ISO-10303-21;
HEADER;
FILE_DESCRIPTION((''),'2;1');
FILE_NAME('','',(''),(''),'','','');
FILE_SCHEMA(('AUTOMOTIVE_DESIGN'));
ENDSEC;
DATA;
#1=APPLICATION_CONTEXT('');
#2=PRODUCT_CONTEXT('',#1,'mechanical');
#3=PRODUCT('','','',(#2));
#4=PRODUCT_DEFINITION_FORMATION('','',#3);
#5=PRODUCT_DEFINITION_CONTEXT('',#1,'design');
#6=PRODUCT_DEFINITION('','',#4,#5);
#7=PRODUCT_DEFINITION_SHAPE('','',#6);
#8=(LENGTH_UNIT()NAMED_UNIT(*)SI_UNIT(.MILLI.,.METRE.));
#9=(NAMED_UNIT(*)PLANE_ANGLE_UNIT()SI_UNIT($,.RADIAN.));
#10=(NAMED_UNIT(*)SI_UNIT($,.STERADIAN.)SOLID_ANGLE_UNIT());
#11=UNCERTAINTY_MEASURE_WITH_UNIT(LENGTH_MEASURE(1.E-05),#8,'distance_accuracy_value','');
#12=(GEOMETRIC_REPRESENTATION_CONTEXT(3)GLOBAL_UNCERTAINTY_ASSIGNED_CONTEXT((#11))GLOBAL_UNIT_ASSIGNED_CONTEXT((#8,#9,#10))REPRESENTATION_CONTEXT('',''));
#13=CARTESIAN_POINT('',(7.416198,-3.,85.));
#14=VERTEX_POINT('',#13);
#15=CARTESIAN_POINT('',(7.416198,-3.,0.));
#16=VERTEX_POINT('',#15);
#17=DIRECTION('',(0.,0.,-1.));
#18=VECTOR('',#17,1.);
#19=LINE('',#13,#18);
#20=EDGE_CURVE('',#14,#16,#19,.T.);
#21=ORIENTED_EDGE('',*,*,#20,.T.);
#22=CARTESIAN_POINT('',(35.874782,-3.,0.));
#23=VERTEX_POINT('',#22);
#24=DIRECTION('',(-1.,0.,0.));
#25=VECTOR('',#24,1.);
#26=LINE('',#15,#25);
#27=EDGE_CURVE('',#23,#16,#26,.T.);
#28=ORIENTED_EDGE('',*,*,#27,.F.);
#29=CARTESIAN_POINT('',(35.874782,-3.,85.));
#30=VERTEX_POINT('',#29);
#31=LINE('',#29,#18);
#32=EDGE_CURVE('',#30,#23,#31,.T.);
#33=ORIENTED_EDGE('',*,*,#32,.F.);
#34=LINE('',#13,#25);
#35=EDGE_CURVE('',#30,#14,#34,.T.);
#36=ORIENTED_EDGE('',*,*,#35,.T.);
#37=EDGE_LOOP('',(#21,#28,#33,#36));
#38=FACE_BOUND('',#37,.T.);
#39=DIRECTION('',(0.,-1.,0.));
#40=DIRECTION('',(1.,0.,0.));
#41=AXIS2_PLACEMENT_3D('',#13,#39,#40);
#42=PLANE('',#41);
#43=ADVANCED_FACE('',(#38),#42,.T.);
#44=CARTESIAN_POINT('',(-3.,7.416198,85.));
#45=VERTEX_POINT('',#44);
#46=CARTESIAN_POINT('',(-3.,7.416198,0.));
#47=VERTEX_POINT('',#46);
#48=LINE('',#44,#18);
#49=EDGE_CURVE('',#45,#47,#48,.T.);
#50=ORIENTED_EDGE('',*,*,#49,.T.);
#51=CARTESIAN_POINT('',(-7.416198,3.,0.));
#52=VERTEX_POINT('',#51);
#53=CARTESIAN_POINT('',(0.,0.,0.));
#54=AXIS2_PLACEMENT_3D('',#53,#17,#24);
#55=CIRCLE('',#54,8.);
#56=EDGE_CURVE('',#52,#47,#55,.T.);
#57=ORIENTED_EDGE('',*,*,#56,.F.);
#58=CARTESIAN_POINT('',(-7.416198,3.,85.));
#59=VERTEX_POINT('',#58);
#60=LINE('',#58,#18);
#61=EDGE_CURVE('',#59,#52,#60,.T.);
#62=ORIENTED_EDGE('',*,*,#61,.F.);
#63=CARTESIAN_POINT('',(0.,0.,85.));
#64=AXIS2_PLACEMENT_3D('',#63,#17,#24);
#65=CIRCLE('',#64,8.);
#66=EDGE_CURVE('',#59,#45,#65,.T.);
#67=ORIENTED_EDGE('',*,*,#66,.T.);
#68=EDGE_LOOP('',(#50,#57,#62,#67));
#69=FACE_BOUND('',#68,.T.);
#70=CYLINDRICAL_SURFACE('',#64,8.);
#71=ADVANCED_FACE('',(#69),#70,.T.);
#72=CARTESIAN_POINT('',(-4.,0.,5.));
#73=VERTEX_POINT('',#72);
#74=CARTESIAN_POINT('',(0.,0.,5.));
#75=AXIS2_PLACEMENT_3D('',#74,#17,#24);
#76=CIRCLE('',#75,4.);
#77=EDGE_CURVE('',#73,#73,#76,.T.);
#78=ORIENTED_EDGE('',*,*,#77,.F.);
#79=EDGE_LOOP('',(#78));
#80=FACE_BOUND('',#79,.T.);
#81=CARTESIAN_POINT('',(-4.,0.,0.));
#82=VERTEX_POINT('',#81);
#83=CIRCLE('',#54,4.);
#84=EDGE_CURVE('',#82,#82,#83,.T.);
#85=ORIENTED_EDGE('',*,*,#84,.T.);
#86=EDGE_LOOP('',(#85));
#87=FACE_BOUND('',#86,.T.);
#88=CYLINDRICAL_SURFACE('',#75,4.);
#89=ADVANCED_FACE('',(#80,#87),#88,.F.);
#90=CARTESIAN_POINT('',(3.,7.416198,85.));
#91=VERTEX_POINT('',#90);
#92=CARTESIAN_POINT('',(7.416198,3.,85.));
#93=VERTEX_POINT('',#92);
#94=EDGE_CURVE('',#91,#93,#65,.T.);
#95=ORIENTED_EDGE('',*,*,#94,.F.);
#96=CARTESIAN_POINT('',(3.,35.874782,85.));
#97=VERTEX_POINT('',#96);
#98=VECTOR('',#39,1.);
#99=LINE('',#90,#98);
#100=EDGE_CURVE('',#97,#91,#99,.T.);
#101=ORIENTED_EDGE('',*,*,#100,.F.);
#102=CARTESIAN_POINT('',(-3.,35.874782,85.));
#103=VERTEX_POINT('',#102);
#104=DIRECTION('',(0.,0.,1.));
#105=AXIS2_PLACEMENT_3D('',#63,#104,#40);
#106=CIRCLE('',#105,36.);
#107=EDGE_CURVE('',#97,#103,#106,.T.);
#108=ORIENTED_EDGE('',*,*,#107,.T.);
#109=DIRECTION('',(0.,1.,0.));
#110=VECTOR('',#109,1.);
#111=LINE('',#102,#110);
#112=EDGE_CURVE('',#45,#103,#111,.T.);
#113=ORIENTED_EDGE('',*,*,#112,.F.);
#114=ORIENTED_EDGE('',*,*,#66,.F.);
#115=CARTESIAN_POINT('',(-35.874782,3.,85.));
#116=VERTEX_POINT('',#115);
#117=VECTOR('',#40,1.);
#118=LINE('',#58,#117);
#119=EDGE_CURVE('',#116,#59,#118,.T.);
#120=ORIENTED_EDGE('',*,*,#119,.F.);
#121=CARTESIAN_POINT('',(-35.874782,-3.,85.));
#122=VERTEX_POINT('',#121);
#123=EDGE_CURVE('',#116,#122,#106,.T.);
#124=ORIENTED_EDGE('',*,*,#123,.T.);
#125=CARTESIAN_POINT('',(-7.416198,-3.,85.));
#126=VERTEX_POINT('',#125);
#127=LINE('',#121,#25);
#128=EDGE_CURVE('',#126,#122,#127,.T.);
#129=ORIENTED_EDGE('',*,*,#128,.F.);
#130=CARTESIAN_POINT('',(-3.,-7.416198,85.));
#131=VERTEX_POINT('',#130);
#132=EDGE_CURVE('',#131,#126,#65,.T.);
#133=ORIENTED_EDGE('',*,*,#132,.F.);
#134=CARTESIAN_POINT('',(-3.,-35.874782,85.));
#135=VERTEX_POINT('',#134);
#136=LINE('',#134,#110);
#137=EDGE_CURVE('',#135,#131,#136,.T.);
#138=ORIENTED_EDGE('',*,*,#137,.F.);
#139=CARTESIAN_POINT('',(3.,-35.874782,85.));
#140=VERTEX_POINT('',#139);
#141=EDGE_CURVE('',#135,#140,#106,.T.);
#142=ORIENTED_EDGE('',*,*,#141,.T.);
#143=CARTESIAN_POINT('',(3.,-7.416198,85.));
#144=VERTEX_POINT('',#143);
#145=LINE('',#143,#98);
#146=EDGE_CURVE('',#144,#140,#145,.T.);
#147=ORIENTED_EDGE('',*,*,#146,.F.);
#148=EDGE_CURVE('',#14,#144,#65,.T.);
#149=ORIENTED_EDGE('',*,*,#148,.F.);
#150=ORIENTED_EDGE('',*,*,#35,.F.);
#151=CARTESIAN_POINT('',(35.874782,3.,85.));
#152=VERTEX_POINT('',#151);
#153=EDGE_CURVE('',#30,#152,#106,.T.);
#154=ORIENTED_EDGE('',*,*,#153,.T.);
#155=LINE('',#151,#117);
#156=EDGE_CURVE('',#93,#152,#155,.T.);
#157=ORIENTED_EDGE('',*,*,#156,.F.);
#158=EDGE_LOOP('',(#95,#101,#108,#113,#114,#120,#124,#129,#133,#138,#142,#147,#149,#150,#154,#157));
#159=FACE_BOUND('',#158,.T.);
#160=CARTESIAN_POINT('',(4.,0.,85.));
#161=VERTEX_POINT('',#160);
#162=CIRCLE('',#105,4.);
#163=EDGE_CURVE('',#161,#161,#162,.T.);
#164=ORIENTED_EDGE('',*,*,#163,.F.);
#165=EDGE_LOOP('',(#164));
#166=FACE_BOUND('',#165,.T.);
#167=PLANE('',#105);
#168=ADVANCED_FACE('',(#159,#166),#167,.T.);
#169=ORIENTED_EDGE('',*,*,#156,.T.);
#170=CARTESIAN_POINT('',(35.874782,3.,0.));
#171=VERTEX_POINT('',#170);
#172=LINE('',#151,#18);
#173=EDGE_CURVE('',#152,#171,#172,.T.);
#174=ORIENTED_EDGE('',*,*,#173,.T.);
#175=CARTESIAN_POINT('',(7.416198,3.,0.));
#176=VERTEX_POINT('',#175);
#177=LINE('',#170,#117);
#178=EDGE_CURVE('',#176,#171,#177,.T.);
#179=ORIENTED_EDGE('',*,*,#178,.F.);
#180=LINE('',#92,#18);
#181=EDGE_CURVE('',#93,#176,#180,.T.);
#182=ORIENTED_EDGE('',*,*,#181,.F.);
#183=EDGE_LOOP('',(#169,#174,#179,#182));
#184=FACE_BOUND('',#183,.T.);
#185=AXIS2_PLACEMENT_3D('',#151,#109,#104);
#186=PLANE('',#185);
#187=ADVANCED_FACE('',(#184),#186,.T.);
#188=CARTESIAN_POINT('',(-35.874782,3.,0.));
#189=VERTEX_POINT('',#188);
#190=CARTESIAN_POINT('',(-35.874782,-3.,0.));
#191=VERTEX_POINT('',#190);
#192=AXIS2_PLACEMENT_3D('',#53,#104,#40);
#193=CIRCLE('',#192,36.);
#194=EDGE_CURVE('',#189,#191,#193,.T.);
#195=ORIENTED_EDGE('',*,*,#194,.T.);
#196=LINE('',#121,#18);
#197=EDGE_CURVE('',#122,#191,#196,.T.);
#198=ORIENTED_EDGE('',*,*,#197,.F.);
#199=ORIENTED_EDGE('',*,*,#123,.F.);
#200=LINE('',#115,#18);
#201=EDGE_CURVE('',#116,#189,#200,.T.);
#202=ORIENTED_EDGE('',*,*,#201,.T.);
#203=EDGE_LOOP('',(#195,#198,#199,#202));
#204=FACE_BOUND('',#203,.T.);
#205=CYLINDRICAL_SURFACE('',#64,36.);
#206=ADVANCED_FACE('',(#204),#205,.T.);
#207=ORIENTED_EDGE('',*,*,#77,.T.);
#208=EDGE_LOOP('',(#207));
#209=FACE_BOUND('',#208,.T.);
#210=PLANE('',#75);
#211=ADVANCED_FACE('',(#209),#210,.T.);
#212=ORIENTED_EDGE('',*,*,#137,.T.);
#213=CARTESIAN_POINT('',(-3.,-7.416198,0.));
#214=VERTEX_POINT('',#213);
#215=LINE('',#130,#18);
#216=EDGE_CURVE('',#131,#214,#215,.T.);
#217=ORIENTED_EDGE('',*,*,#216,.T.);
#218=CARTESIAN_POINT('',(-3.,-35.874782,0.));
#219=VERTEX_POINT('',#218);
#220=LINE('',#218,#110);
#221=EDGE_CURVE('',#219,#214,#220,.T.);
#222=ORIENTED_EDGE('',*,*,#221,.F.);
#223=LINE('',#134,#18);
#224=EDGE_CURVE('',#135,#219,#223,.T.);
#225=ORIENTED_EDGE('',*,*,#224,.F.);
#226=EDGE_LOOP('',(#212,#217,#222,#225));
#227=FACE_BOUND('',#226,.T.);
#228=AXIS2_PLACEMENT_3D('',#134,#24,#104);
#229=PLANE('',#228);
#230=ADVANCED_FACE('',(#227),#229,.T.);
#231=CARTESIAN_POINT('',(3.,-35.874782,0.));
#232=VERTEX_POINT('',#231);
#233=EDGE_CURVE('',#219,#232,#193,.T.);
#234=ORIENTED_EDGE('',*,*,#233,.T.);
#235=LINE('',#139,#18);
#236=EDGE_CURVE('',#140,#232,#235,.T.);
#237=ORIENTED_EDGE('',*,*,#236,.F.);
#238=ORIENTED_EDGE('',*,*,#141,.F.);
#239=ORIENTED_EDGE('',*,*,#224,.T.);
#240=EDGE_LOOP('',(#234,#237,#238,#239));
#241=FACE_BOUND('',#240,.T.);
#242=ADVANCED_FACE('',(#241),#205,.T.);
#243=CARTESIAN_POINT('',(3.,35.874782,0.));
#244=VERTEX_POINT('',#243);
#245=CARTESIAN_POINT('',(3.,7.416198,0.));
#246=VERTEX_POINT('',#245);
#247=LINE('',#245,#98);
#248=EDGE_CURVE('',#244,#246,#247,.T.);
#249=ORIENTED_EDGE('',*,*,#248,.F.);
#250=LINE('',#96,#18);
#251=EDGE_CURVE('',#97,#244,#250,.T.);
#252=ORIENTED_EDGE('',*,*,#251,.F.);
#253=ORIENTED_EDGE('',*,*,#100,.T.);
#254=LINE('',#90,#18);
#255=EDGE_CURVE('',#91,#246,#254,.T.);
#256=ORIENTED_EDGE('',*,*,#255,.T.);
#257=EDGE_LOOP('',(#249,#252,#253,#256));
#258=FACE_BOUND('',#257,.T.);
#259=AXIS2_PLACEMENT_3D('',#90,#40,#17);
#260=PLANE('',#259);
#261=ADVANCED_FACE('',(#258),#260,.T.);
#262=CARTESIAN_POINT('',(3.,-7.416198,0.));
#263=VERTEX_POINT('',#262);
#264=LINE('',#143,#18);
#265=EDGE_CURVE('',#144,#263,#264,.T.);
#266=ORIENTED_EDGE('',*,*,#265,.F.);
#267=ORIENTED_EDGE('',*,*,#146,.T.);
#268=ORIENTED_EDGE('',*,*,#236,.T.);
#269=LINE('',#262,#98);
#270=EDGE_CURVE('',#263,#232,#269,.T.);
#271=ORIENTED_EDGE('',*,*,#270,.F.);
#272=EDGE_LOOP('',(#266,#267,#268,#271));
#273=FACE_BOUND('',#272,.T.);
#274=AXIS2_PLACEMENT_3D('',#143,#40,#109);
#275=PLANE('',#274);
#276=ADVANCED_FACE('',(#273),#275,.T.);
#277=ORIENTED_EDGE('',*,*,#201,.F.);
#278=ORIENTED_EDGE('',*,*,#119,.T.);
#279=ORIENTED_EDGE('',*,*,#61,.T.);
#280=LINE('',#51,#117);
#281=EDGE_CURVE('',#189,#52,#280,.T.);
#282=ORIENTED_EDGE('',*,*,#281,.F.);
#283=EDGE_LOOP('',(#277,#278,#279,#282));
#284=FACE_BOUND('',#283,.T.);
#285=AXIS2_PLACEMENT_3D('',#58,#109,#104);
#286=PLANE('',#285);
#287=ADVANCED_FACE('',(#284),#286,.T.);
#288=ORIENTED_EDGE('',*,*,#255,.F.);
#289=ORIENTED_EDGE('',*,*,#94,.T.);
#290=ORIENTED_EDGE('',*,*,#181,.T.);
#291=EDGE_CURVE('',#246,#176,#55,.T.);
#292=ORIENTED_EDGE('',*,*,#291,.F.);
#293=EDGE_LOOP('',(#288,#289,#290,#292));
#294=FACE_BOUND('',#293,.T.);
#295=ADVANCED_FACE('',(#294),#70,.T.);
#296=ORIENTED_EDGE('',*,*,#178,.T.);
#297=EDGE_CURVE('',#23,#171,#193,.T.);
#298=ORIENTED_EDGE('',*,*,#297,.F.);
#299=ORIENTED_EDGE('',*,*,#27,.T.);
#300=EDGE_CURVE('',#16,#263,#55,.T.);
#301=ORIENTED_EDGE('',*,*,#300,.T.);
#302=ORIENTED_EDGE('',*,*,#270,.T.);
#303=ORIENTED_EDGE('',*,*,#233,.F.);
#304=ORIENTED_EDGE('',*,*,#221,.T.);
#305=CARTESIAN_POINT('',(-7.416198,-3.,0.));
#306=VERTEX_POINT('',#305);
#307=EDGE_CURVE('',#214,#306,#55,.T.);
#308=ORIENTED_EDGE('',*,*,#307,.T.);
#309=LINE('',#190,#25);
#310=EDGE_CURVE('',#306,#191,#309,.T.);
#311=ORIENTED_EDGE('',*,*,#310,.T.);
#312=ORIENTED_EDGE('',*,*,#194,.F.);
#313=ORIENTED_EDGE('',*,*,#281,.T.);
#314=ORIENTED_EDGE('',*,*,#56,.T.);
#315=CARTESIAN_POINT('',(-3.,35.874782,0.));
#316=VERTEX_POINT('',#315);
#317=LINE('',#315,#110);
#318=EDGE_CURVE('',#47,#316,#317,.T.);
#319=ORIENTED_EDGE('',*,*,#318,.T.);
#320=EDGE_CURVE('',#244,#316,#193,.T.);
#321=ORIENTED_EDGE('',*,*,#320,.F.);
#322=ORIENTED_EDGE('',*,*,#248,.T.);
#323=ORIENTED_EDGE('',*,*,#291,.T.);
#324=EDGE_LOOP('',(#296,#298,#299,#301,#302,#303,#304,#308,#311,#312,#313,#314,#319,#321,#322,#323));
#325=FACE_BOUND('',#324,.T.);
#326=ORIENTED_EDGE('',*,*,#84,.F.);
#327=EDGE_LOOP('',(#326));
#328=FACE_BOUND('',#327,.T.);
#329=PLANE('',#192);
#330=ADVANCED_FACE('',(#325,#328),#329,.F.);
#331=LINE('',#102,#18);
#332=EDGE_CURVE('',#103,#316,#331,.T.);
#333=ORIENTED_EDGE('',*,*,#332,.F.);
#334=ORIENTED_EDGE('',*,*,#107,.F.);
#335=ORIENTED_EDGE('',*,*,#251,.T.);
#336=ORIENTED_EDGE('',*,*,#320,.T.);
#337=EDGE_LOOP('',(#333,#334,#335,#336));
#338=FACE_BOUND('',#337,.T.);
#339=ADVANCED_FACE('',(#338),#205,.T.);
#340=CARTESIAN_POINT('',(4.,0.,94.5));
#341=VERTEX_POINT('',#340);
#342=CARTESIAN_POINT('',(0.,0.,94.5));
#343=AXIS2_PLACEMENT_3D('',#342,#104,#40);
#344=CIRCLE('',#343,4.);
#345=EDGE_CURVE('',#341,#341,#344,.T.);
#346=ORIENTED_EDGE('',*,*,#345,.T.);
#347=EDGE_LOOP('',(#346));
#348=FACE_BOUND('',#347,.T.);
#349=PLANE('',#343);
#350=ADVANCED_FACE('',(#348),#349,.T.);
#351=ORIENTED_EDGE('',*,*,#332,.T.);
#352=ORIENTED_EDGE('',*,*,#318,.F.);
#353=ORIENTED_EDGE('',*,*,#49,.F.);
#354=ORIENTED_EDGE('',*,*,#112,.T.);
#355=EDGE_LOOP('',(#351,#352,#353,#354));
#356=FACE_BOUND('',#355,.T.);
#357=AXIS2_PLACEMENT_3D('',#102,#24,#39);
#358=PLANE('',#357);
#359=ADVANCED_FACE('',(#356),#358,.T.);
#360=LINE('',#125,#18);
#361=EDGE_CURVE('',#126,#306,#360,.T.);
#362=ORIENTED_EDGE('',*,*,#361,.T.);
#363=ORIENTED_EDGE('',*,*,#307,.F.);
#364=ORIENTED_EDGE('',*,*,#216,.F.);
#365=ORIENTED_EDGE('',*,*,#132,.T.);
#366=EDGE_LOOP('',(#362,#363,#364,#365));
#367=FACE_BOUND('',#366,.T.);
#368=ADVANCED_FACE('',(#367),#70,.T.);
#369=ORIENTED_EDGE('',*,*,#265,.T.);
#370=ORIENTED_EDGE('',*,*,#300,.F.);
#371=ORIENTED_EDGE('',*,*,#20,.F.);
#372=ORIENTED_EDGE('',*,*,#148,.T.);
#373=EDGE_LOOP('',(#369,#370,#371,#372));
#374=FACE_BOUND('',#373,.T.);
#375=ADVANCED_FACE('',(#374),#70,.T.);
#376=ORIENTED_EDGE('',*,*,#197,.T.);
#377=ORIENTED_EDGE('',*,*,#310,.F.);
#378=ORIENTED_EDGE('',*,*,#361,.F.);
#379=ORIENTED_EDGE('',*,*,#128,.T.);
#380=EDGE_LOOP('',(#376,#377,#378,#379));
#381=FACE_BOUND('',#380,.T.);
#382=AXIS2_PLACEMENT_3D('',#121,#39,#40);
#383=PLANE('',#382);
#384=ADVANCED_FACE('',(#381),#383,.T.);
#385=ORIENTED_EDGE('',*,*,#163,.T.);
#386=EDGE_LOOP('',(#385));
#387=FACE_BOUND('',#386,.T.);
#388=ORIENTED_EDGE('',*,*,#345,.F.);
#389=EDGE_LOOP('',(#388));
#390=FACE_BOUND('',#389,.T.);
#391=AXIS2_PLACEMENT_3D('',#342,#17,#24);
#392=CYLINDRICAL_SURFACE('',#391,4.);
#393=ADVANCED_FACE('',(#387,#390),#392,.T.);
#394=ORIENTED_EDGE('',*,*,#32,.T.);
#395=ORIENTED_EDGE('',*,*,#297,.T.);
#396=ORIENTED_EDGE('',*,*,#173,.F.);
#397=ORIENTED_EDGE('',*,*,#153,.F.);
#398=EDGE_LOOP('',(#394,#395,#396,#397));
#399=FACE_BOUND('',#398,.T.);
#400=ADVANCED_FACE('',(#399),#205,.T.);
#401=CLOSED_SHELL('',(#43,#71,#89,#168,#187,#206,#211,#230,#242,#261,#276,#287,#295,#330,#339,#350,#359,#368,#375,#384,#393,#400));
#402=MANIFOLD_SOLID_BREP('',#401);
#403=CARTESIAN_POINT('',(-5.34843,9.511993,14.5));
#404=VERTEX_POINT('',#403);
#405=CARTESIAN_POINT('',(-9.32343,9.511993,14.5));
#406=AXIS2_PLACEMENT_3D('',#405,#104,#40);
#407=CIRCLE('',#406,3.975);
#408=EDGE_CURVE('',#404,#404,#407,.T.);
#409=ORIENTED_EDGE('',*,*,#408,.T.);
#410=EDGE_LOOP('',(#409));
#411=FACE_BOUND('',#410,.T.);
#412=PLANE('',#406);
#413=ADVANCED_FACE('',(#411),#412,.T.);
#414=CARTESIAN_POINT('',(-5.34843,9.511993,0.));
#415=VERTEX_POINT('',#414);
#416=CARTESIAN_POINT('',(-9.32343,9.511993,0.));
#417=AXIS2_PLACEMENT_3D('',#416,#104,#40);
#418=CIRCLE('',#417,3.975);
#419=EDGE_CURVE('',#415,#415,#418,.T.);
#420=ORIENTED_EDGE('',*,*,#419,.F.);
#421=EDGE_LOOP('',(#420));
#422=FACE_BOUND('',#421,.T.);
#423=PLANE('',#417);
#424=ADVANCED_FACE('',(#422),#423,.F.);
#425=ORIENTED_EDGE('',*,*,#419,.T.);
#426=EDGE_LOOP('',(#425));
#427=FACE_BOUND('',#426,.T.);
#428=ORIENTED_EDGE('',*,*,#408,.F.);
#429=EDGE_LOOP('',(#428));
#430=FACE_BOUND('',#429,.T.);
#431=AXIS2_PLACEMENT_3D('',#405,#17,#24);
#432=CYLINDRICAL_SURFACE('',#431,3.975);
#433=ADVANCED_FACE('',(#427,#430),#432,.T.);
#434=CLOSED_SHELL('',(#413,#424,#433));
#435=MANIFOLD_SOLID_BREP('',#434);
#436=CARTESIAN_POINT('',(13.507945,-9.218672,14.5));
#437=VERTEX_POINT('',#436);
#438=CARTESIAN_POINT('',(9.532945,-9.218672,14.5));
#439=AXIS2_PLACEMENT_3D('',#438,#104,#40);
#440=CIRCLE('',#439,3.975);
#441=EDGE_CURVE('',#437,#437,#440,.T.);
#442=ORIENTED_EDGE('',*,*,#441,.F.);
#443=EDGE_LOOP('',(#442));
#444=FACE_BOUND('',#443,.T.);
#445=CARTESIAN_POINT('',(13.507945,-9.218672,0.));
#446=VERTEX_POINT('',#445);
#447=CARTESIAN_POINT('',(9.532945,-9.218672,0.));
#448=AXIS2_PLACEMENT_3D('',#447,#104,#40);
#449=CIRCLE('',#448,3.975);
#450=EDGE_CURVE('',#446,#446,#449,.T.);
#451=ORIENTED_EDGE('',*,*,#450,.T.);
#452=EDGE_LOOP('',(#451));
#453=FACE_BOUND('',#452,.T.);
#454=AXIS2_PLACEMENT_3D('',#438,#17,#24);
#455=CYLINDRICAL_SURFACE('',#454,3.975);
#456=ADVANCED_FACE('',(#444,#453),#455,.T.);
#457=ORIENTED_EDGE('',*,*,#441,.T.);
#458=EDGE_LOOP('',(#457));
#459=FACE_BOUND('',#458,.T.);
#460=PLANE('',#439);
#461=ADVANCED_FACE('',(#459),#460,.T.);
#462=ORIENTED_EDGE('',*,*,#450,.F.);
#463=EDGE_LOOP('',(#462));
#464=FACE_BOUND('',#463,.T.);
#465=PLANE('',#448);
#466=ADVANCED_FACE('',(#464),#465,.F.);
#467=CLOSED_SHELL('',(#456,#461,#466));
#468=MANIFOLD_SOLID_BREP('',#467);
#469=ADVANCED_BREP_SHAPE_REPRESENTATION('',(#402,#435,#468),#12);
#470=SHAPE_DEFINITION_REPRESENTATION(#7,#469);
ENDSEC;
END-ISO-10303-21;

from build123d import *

# Parameters (mm, degrees)
SKETCH1_R             = 36
BOSS_EXTRUDE1_DEPTH   = 85
SKETCH3_R             = 4
CUT_EXTRUDE2_DEPTH    = 5
SKETCH4_OUTSIDE_W     = 100.528
SKETCH4_OUTSIDE_H     = 100.528
CUT_EXTRUDE3_DEPTH    = 86
SKETCH5_R             = 3.975
BOSS_EXTRUDE2_DEPTH   = 14.5
BOSS_EXTRUDE2_2_DEPTH = 14.5
SKETCH2_R             = 4
BOSS_EXTRUDE3_DEPTH   = 9.5


with BuildPart() as part:
    # Sketch1 → Boss-Extrude1 (new body)
    with BuildSketch(Plane.XY):
        Circle(SKETCH1_R)
    extrude(amount=BOSS_EXTRUDE1_DEPTH)

    # Sketch3 → Cut-Extrude2 (cut)
    with BuildSketch(Plane(origin=(0, 0, 0), x_dir=(-1, 0, 0), z_dir=(0, 0, -1))):
        Circle(SKETCH3_R)
    extrude(amount=-CUT_EXTRUDE2_DEPTH, mode=Mode.SUBTRACT)

    # Sketch4 outside → Cut-Extrude3 (cut, through all)
    with BuildSketch(Plane(origin=(0, 0, 0), x_dir=(-1, 0, 0), z_dir=(0, 0, -1))):
        Rectangle(SKETCH4_OUTSIDE_W, SKETCH4_OUTSIDE_H)
        with BuildLine():
            Line((-35.874782229, 3), (-7.416198487, 3))
            ThreePointArc((-7.416198487, 3), (-5.656854249, 5.656854249), (-3, 7.416198487))
            Line((-3, 7.416198487), (-3, 35.874782229))
            ThreePointArc((-3, 35.874782229), (0, 36), (3, 35.874782229))
            Line((3, 35.874782229), (3, 7.416198487))
            ThreePointArc((3, 7.416198487), (5.656854249, 5.656854249), (7.416198487, 3))
            Line((7.416198487, 3), (35.874782229, 3))
            ThreePointArc((35.874782229, 3), (36, 0), (35.874782229, -3))
            Line((35.874782229, -3), (7.416198487, -3))
            ThreePointArc((7.416198487, -3), (5.656854249, -5.656854249), (3, -7.416198487))
            Line((3, -7.416198487), (3, -35.874782229))
            ThreePointArc((3, -35.874782229), (0, -36), (-3, -35.874782229))
            Line((-3, -35.874782229), (-3, -7.416198487))
            ThreePointArc((-3, -7.416198487), (-5.656854249, -5.656854249), (-7.416198487, -3))
            Line((-7.416198487, -3), (-35.874782229, -3))
            ThreePointArc((-35.874782229, -3), (-36, 0), (-35.874782229, 3))
        make_face(mode=Mode.SUBTRACT)
    extrude(amount=-CUT_EXTRUDE3_DEPTH, mode=Mode.SUBTRACT)

    # Sketch2 → Boss-Extrude3 (add)
    with BuildSketch(Plane.XY.offset(85)):
        Circle(SKETCH2_R)
    extrude(amount=BOSS_EXTRUDE3_DEPTH)


with BuildPart() as body_2:
    # Sketch5 → Boss-Extrude2 (new body)
    with BuildSketch(Plane.XY):
        with Locations((-9.323429637, 9.511993383)):
            Circle(SKETCH5_R)
    extrude(amount=BOSS_EXTRUDE2_DEPTH)


with BuildPart() as body_3:
    # Sketch5 → Boss-Extrude2 2 (new body)
    with BuildSketch(Plane.XY):
        with Locations((9.53294491, -9.218672001)):
            Circle(SKETCH5_R)
    extrude(amount=BOSS_EXTRUDE2_2_DEPTH)


solid = Compound([part.part, body_2.part, body_3.part])
